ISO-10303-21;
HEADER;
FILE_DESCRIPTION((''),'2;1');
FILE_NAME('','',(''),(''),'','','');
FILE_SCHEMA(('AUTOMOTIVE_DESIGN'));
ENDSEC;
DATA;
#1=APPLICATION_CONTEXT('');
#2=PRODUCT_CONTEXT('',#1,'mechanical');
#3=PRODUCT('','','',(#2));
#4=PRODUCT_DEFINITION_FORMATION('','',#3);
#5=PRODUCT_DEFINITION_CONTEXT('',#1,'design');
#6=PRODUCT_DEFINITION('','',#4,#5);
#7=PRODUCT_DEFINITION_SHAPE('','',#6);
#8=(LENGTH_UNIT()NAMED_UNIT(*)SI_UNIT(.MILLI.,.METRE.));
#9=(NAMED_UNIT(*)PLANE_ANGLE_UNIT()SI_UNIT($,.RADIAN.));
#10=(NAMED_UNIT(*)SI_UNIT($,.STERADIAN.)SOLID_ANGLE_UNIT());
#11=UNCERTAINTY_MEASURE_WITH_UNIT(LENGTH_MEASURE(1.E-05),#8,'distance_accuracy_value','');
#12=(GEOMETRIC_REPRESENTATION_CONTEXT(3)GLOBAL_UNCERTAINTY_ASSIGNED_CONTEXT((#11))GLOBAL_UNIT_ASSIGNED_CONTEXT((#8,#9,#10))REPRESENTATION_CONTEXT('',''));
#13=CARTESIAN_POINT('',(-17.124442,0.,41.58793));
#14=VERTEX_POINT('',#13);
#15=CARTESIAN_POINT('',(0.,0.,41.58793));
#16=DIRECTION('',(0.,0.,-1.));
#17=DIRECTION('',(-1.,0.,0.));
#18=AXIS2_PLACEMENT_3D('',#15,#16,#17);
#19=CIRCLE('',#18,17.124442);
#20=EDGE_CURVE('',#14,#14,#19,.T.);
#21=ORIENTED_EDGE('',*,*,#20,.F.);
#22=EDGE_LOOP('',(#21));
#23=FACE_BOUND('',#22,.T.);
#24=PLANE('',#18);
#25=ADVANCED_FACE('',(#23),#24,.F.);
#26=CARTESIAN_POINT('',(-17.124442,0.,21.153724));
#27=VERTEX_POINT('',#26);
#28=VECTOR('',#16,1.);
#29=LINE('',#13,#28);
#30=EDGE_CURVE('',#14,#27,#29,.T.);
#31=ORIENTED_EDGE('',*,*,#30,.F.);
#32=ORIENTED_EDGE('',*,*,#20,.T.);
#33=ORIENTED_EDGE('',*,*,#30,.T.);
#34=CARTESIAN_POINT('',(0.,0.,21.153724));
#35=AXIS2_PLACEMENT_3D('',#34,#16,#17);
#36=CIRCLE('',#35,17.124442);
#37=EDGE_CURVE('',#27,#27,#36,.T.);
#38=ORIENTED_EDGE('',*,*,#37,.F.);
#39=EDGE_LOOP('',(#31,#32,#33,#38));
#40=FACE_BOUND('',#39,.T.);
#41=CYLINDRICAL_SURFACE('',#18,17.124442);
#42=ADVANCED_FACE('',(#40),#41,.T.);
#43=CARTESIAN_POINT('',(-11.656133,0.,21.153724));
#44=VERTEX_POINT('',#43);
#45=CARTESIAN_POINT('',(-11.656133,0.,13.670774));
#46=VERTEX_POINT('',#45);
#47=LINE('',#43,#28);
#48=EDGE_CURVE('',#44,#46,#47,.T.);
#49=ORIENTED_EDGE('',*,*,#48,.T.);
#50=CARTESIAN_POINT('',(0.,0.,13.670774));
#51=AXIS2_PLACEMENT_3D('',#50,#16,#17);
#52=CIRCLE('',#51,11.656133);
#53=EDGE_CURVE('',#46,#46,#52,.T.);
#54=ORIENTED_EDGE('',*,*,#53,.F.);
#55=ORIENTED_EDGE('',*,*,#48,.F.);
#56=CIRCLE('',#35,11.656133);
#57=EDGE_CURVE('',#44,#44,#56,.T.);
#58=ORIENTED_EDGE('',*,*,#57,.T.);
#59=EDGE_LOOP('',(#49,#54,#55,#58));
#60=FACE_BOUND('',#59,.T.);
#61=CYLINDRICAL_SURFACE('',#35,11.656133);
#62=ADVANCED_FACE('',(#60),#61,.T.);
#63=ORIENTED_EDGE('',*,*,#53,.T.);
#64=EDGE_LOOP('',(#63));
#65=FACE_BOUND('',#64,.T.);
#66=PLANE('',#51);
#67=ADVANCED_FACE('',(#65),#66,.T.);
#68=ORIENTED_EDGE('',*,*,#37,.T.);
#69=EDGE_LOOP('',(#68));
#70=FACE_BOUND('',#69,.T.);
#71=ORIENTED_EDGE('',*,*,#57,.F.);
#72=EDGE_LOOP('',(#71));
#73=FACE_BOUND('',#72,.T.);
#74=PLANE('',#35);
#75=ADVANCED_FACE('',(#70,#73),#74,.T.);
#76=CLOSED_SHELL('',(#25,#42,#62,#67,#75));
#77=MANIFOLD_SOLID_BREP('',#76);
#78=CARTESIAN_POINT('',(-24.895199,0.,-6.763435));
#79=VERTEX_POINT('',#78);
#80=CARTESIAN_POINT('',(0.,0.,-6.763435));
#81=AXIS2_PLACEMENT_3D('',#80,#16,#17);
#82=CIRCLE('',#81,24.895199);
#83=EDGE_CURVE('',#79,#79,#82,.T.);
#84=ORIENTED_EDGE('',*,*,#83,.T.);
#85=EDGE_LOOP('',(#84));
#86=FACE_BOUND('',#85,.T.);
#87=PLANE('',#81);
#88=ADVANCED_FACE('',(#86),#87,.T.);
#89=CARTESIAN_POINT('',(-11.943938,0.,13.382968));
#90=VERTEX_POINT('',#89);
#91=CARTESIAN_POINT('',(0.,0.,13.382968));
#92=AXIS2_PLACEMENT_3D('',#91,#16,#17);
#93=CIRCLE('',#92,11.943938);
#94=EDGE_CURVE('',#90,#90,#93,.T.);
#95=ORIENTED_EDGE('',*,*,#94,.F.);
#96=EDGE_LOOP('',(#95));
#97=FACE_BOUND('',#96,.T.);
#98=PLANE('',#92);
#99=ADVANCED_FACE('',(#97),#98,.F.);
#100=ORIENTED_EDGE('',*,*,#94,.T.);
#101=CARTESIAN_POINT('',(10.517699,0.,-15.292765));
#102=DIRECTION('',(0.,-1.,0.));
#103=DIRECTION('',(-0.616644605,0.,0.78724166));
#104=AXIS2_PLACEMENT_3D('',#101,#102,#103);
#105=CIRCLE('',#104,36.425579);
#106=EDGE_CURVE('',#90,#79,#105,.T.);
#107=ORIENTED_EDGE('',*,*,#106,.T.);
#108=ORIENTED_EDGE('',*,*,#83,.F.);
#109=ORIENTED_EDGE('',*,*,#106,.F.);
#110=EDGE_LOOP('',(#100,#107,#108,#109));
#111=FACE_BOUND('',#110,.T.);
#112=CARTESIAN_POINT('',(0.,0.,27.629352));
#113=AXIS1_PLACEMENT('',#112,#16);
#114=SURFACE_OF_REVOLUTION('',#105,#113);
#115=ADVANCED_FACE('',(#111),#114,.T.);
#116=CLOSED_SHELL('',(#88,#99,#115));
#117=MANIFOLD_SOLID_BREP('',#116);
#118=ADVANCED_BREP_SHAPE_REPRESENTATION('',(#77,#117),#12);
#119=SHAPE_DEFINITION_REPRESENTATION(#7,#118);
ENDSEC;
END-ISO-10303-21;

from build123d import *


with BuildPart() as f2:
    # F0 (on Front) + F1 (on Front) → F2 (revolve)
    with BuildSketch(Plane.XZ):
        with BuildLine():
            Line((-24.895199, -6.763435), (-11.943938, 13.382968))
            ThreePointArc((-11.943938, 13.382968), (-20.122713, 4.404645), (-24.895199, -6.763435))
        make_face()
        Polygon((0, 13.382968), (-11.943938, 13.382968), (-24.895199, -6.763435), (0, -6.763435), align=None)
    with BuildSketch(Plane.XZ):
        Polygon((0, 13.670774), (0, 41.58793), (-17.124442, 41.58793), (-17.124442, 21.153724), (-11.656133, 21.153724), (-11.656133, 13.670774), align=None)
    revolve(axis=Axis((0, 0, 27.629352), (0, 0, -1)))


solid = f2.part
